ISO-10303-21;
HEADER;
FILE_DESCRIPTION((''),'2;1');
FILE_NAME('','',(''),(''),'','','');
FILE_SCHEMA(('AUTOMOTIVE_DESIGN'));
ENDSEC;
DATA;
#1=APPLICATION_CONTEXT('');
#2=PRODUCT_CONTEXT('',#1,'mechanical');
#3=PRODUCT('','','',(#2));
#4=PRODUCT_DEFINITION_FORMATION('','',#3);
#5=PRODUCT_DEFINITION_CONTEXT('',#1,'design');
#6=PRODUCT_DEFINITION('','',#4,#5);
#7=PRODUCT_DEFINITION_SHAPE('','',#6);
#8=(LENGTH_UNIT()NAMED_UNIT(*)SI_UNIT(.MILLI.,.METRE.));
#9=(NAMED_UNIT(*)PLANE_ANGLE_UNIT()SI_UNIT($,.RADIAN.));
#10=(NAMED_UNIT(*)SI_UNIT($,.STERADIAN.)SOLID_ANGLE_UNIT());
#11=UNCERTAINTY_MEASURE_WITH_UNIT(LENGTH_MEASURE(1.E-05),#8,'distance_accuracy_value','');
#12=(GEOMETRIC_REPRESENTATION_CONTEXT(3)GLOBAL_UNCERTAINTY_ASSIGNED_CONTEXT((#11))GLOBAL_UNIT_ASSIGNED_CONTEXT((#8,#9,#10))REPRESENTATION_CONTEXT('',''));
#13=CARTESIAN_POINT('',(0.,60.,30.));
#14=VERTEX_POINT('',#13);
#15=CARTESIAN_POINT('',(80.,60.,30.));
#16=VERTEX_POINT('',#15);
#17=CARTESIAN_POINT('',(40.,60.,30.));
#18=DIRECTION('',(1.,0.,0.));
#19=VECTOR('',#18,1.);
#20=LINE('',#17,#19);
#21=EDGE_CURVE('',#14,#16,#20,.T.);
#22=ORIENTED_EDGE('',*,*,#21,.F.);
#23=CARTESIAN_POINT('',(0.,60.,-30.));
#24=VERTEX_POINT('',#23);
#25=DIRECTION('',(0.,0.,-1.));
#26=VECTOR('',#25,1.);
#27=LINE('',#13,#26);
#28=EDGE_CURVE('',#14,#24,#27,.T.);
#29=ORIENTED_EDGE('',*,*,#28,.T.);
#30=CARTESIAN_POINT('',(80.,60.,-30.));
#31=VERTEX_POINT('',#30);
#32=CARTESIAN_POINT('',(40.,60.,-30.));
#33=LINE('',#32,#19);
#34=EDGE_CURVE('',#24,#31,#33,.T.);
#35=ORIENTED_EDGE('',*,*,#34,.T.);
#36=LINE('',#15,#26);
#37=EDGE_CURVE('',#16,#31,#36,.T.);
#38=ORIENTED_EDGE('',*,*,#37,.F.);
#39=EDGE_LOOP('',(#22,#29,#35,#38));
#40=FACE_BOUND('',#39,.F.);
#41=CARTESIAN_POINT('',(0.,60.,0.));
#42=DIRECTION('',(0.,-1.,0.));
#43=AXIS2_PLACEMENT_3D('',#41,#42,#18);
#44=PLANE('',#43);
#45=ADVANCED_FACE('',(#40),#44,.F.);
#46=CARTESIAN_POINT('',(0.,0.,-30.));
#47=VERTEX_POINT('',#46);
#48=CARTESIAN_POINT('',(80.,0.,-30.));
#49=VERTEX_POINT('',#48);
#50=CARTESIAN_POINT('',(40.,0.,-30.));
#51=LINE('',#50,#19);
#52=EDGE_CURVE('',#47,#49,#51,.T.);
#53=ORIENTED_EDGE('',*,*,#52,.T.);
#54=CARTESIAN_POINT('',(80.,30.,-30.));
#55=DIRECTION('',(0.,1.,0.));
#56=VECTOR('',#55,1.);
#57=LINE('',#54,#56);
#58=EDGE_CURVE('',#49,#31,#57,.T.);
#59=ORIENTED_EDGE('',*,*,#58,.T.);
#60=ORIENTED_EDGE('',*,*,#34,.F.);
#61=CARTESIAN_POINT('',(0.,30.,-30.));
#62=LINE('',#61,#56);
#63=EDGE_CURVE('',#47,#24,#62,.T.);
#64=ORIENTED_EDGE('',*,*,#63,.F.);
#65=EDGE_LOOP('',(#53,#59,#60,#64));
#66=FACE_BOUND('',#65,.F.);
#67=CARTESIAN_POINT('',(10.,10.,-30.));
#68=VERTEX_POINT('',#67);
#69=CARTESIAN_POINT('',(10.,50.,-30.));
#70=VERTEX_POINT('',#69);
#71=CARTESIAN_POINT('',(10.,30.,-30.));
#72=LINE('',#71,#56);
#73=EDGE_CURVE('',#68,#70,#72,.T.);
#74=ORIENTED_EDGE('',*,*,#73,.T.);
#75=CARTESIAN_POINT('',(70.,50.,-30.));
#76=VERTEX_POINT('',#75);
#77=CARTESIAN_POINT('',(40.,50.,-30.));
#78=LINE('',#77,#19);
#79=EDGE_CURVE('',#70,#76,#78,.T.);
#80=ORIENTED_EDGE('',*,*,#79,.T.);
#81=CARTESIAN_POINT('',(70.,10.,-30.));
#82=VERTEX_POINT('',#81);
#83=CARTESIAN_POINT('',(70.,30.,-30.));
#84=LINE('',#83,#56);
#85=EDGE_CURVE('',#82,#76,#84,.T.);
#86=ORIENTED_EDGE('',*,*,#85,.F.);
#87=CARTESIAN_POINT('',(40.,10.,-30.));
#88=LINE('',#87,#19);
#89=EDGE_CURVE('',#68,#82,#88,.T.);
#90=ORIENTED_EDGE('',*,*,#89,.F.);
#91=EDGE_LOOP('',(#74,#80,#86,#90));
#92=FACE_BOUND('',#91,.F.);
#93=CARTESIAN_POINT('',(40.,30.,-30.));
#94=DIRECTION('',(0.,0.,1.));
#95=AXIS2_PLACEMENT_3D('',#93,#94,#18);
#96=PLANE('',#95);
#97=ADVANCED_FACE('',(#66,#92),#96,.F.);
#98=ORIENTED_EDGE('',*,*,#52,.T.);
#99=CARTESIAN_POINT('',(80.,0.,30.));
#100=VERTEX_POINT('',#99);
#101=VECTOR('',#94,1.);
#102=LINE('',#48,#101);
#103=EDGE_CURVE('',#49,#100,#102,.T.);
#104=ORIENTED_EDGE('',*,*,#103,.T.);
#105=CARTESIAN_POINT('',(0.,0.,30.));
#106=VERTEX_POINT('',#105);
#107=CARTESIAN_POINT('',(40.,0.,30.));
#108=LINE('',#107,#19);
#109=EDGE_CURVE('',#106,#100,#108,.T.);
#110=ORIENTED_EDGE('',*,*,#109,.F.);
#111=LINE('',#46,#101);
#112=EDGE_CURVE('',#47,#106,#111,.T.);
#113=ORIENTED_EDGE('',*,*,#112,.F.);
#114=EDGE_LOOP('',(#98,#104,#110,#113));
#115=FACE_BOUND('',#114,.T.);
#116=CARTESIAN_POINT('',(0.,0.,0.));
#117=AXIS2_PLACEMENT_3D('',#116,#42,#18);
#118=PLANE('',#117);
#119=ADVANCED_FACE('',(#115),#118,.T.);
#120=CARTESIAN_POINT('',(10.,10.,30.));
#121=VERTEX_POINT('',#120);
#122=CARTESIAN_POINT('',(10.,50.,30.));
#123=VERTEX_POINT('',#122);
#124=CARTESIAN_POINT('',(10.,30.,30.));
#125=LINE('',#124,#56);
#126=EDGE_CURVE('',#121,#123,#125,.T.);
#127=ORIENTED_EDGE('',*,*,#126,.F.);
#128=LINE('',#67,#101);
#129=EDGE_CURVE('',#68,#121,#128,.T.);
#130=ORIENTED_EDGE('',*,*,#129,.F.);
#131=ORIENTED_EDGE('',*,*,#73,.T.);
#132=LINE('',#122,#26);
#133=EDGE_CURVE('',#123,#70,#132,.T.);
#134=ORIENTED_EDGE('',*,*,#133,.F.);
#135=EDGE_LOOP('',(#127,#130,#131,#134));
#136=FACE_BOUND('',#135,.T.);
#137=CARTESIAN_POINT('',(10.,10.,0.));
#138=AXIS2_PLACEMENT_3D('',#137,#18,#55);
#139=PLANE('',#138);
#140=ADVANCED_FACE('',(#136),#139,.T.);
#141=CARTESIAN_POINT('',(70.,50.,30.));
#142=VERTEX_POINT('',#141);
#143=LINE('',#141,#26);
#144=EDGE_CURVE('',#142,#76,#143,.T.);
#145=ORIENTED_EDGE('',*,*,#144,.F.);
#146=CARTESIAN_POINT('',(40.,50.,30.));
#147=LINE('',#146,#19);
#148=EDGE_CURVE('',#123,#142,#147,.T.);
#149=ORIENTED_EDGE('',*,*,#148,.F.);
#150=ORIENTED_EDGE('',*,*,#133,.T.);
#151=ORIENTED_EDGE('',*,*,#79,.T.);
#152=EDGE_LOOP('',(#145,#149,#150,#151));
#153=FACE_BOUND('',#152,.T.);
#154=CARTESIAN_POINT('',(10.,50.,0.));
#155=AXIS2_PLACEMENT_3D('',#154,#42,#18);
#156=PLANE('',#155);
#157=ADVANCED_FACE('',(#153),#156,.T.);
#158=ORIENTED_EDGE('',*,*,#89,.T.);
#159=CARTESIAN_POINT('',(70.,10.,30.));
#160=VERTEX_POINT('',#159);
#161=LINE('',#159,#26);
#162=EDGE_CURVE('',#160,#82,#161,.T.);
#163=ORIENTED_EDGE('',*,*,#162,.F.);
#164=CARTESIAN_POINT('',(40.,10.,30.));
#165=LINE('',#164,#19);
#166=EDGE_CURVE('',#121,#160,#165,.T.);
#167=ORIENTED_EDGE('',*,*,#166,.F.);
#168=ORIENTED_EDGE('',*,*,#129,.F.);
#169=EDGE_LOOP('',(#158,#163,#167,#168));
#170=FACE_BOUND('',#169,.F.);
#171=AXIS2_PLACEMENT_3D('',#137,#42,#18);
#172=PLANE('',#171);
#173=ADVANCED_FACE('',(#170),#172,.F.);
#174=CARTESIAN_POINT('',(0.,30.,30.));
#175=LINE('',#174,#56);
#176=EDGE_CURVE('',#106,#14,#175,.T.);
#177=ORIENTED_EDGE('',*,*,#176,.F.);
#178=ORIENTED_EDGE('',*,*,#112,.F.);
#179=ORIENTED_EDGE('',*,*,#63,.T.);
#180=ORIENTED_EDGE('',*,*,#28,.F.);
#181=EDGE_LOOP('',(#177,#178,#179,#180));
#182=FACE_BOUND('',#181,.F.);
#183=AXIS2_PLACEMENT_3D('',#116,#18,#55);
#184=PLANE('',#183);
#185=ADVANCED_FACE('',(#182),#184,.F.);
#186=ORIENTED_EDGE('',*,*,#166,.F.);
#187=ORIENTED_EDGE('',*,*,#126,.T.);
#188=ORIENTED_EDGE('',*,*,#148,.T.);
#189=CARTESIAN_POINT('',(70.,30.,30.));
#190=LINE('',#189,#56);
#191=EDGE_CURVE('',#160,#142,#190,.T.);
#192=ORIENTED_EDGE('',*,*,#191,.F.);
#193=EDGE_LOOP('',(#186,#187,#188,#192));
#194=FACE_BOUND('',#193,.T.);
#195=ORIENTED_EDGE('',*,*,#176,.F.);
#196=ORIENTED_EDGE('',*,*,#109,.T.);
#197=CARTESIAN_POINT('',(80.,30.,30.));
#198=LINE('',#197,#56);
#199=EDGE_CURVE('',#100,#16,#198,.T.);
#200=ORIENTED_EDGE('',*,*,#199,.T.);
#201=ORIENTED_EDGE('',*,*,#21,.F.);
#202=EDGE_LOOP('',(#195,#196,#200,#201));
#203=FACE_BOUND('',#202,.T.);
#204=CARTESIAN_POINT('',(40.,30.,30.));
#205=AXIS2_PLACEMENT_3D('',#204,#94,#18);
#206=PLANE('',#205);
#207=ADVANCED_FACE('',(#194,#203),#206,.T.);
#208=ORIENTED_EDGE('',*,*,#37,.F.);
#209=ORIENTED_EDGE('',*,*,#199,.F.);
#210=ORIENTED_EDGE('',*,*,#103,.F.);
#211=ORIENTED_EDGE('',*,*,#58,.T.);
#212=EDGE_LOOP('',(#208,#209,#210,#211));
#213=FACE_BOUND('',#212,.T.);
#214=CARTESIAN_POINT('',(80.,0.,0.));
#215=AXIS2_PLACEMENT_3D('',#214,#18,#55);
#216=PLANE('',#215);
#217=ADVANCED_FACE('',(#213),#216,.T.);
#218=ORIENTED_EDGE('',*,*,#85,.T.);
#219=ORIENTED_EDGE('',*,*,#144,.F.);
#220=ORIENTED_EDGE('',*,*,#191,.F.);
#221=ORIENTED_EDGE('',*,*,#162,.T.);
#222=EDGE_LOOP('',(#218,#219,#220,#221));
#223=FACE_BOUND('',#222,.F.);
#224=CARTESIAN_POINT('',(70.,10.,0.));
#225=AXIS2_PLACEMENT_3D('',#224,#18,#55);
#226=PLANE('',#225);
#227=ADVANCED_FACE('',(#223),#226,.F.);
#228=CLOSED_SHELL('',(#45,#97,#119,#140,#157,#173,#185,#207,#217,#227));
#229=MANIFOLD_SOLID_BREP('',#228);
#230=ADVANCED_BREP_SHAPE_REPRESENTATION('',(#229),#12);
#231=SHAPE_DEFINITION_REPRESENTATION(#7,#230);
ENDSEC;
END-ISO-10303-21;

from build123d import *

# Parameters (mm, degrees)
F0_W     = 80
F0_H     = 60
F0_W_2   = 60
F0_H_2   = 40
F1_DEPTH = 30


with BuildPart() as f1:
    # F0 (on Top) → F1 (new body, symmetric)
    with BuildSketch(Plane.XY):
        with Locations((40, 30)):
            Rectangle(F0_W, F0_H)
        with Locations((40, 30)):
            Rectangle(F0_W_2, F0_H_2, mode=Mode.SUBTRACT)
    extrude(amount=F1_DEPTH, both=True)


solid = f1.part
